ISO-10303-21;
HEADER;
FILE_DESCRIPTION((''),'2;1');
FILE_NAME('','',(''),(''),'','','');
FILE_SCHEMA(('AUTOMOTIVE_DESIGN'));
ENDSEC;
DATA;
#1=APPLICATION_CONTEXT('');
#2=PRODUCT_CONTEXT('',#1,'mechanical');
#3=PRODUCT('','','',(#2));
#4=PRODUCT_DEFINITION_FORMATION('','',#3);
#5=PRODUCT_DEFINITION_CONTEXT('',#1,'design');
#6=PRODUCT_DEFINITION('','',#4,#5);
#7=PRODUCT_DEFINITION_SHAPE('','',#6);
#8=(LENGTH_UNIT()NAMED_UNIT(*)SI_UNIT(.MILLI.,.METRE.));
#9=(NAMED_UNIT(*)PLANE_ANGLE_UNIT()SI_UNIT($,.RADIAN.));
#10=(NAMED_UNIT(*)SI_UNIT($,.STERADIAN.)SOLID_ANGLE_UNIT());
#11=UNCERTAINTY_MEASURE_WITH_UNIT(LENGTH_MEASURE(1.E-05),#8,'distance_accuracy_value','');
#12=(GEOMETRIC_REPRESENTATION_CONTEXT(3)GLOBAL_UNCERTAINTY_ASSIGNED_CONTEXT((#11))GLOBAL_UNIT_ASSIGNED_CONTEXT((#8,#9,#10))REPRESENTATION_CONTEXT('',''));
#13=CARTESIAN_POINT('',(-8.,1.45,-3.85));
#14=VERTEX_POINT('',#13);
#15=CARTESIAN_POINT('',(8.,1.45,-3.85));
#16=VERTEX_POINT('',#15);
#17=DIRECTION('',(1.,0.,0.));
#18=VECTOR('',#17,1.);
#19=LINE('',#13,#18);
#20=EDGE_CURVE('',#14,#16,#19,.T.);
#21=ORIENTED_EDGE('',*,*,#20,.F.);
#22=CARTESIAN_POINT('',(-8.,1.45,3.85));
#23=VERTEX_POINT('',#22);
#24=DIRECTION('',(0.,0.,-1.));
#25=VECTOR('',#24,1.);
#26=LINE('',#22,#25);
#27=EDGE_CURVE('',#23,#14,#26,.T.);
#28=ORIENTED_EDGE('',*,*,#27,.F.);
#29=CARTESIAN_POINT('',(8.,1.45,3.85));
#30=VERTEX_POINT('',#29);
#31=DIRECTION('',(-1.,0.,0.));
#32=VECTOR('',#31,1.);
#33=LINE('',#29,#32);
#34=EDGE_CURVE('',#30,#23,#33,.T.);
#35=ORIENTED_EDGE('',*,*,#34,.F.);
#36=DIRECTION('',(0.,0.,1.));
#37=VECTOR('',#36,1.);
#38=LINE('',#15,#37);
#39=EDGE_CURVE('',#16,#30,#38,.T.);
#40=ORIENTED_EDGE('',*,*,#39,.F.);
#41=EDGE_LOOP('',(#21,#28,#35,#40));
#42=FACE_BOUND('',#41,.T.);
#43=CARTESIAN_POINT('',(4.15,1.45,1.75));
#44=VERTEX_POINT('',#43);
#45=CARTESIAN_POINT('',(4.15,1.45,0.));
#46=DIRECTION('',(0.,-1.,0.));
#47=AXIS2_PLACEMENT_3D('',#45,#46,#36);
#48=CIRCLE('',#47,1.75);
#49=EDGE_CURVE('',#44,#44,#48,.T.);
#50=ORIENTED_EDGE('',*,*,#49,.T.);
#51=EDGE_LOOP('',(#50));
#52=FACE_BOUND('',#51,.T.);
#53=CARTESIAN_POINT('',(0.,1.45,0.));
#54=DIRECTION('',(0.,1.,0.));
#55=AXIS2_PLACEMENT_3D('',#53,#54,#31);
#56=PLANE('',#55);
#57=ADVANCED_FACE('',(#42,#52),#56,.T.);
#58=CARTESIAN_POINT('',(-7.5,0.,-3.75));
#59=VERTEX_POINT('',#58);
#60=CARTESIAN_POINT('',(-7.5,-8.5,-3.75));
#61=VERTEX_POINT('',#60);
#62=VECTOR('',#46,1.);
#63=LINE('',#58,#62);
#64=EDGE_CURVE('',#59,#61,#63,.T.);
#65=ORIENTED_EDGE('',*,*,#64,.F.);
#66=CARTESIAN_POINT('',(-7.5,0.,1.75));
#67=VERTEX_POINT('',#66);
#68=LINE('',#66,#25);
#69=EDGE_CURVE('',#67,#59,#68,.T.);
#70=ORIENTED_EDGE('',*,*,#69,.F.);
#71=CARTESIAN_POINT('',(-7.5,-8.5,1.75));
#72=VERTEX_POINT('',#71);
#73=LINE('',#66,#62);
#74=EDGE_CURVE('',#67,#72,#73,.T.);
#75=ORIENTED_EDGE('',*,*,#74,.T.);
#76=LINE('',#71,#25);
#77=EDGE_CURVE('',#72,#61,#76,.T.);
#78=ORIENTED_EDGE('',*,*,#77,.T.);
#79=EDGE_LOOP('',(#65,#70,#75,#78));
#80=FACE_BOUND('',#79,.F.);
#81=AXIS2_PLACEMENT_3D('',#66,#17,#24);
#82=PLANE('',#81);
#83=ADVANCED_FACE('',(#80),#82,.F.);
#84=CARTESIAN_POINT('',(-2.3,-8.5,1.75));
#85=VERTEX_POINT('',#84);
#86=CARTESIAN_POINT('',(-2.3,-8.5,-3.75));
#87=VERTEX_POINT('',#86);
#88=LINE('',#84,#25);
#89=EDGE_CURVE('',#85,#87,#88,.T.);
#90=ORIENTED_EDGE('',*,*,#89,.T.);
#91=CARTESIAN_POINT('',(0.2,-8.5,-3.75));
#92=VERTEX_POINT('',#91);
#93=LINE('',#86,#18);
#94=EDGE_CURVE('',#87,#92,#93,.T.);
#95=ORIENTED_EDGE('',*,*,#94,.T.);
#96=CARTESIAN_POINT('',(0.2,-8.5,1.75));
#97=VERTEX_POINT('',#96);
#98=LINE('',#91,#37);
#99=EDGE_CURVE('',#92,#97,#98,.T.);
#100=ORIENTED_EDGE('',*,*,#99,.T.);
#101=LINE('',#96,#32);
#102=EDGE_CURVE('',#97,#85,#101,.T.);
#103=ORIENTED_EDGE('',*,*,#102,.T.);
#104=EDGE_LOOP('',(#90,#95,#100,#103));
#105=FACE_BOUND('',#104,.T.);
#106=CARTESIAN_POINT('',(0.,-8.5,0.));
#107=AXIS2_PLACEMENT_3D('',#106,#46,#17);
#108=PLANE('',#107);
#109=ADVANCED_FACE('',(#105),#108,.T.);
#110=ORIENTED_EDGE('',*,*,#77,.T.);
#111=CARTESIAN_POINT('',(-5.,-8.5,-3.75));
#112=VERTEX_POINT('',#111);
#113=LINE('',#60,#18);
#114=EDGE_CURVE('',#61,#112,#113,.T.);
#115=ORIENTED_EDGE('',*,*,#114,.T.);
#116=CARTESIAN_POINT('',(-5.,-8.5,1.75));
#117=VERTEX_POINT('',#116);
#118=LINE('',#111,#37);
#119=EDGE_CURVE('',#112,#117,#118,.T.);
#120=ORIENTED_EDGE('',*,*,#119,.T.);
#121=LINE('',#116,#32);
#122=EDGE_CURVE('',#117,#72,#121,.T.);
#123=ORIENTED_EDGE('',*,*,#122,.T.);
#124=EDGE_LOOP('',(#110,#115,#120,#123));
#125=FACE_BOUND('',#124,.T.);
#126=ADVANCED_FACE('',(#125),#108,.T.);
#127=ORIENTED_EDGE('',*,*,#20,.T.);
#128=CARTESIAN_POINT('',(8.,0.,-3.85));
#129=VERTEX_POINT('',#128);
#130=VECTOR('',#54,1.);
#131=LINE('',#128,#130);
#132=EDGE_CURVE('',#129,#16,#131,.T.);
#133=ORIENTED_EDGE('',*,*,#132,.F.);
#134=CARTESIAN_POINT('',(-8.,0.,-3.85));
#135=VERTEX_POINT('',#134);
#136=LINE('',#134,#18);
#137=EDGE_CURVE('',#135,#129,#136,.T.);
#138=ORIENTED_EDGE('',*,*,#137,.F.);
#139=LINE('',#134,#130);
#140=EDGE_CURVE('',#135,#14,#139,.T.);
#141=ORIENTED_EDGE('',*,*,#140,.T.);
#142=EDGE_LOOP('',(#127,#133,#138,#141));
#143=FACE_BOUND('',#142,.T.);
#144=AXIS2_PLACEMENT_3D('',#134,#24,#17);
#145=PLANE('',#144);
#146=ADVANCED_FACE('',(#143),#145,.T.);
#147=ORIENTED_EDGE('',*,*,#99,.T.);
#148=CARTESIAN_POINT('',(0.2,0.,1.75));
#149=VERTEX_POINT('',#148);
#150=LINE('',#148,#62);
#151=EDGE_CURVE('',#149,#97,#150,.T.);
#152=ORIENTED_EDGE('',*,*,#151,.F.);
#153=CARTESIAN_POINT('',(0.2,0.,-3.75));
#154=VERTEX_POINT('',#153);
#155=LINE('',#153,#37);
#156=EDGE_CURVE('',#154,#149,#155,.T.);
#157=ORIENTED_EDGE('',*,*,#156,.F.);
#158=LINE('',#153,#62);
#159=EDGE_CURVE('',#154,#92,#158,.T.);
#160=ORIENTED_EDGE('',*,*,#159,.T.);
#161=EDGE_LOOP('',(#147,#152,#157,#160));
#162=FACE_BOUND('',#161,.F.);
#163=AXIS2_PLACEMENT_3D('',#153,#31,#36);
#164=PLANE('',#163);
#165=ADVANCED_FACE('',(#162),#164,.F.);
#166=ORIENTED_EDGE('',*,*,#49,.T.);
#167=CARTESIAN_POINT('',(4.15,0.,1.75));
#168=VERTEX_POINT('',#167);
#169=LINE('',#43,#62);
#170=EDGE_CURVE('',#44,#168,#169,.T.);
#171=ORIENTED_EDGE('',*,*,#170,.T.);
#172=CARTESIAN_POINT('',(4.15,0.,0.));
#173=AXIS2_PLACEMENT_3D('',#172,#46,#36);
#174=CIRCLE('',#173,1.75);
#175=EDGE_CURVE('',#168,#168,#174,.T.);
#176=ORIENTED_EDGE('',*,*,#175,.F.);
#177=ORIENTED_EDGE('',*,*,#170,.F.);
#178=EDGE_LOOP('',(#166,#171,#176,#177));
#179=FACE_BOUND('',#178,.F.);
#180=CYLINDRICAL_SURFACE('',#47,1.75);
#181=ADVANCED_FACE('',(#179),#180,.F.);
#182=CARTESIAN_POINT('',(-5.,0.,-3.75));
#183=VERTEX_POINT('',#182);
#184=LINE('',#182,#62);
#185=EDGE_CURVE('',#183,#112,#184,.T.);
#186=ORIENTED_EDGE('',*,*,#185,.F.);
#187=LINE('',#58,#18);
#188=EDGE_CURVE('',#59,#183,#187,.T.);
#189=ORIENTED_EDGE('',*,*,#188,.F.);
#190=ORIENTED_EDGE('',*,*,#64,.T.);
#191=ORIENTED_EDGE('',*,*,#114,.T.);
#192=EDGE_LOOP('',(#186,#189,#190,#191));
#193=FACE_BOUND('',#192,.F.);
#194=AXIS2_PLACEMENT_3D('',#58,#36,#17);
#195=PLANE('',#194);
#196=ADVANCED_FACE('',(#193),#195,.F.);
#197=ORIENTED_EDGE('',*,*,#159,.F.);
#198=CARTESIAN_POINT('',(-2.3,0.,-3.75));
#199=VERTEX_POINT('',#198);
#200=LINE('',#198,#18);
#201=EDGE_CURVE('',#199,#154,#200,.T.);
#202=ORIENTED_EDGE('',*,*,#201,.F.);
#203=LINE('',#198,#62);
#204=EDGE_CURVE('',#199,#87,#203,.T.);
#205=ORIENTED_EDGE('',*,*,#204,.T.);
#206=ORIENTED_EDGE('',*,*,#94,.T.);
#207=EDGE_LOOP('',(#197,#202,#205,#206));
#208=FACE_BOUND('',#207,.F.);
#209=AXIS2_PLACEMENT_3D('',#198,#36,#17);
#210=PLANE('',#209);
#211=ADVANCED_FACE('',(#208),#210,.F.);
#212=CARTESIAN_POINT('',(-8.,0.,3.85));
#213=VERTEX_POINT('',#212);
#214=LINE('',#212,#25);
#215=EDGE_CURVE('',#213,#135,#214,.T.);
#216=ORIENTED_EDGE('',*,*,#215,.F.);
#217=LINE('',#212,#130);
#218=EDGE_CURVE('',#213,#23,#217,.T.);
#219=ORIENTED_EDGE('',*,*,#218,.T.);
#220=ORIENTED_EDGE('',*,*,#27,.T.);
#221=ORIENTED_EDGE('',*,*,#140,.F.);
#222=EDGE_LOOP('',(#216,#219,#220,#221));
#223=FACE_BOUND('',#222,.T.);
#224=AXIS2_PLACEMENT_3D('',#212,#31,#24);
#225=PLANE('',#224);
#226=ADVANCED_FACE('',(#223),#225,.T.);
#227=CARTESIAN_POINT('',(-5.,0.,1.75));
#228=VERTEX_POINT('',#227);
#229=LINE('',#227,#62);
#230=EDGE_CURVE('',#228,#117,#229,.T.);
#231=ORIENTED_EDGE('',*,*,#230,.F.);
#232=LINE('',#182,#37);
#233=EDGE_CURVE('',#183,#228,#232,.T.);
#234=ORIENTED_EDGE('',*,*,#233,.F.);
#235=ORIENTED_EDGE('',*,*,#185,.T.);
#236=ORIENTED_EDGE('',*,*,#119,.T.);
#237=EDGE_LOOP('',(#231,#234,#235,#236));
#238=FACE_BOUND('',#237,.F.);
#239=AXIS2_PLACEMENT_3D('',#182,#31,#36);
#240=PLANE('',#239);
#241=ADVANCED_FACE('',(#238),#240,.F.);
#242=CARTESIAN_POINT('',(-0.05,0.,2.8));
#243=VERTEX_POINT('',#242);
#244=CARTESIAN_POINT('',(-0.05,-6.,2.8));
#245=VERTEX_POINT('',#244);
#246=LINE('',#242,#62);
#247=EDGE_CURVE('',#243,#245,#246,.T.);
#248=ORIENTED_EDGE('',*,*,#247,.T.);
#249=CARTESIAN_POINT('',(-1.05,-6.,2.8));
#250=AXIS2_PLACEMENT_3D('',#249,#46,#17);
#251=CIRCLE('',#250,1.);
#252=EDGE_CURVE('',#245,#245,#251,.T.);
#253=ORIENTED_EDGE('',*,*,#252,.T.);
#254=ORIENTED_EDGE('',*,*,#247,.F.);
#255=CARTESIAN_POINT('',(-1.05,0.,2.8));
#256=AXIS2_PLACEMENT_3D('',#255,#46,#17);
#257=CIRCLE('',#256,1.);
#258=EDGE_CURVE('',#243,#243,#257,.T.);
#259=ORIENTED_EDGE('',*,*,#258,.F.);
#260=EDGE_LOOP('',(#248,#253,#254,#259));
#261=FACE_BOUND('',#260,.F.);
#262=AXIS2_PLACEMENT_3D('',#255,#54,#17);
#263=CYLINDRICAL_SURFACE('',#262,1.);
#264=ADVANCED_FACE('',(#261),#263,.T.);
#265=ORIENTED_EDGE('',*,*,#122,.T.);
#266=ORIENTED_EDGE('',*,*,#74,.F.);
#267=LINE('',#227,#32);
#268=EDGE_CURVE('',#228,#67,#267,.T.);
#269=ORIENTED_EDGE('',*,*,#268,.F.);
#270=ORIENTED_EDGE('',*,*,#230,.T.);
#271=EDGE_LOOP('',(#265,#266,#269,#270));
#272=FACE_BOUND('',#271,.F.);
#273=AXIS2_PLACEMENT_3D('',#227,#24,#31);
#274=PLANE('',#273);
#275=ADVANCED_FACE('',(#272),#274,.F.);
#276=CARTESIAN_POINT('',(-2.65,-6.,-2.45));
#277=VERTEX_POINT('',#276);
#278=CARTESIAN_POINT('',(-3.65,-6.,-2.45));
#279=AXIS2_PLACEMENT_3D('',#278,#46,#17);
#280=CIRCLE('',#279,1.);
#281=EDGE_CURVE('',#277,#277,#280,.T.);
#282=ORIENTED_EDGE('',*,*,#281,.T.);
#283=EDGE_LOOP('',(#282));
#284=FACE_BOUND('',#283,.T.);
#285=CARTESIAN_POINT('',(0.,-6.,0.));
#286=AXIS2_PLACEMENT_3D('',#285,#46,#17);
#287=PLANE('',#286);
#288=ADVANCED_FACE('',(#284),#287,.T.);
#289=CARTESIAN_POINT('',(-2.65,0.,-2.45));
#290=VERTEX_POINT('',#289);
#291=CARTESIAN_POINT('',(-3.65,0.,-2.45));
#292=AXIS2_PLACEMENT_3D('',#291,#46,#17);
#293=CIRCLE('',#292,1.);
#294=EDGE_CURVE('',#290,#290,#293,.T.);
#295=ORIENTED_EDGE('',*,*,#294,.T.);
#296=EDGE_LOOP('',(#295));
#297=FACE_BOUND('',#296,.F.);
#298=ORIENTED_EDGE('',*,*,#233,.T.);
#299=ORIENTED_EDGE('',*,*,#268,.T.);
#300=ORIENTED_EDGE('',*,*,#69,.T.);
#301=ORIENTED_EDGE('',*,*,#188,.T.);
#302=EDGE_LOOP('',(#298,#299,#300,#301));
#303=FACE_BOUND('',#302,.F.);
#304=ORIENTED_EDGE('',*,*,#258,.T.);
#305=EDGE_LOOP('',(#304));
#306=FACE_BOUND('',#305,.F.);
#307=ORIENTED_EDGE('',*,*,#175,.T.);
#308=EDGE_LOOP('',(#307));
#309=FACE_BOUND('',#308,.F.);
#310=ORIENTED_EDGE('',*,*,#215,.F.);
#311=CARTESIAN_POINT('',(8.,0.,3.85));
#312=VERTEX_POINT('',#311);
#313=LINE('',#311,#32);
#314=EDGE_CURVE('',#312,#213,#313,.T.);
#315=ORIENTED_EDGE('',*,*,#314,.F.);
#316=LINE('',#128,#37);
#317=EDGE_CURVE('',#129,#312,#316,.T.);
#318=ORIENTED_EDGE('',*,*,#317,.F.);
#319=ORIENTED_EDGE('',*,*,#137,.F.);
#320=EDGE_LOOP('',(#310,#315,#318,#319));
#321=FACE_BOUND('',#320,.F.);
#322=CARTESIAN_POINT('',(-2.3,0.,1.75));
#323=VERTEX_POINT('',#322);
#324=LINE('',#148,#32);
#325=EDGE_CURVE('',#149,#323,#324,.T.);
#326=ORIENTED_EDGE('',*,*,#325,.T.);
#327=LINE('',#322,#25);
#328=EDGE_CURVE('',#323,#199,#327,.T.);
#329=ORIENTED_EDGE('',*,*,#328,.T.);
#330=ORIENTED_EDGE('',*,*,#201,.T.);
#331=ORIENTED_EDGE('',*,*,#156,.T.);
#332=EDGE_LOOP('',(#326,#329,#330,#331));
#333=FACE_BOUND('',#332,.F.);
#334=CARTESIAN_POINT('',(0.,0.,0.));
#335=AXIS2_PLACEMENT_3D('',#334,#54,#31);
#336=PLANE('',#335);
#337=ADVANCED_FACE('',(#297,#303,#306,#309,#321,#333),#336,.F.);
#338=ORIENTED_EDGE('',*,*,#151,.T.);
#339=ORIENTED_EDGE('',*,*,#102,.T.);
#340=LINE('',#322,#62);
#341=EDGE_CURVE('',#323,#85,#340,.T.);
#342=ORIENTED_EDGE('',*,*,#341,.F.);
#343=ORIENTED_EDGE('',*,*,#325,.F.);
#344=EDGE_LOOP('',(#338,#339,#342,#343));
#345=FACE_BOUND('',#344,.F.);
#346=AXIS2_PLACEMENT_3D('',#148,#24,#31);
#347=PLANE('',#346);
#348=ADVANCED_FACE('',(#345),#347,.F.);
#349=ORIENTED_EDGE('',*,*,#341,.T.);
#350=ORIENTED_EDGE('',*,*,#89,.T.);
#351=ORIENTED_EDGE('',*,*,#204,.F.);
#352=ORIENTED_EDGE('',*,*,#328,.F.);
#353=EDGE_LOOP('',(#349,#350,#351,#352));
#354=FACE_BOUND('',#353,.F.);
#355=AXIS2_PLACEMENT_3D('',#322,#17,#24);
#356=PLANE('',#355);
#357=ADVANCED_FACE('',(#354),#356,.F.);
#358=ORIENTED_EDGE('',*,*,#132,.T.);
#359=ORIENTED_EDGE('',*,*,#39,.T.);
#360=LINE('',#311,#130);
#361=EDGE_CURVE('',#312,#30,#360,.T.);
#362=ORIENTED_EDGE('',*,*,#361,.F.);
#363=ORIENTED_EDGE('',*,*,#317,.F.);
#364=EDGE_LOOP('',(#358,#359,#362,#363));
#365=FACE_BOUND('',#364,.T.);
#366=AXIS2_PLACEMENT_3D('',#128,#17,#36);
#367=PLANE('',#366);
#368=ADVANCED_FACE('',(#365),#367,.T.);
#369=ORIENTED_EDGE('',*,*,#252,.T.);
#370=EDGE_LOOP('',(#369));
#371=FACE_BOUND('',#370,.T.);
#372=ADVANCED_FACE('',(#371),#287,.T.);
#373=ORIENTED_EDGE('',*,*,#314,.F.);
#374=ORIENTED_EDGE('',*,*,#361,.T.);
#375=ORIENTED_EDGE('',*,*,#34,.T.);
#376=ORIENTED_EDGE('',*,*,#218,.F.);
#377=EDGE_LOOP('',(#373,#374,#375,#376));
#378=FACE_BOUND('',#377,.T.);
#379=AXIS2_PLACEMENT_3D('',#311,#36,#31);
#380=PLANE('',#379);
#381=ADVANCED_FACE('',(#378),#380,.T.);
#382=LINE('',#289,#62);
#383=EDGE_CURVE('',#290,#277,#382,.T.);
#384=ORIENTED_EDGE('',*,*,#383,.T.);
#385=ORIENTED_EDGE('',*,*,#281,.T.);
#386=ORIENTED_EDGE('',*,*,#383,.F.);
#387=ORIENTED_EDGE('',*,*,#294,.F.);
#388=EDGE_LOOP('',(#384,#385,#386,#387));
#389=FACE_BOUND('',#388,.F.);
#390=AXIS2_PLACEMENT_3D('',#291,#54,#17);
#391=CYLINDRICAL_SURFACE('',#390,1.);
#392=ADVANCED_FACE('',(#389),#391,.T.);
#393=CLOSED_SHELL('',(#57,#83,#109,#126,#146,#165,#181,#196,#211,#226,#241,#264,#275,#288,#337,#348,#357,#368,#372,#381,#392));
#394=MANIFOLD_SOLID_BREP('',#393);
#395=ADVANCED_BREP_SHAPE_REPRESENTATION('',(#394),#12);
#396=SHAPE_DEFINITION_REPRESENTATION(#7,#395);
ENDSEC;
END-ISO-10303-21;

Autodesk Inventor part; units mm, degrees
ref_plane "YZ Plane" through (0, 0, 0) normal (1, 0, 0) x (0, 1, 0)
ref_plane "XZ Plane" through (0, 0, 0) normal (0, 1, 0) x (-1, 0, 0)
ref_plane "XY Plane" through (0, 0, 0) normal (0, 0, 1) x (1, 0, 0)
sketch "Náčrt1" plane through (0, 0, 0) normal (0, 1, 0) x (-1, 0, 0)
  line L0 (8, -3.85) -> (-8, -3.85)
  line L1 (-8, -3.85) -> (-8, 3.85)
  line L2 (-8, 3.85) -> (8, 3.85)
  line L3 (8, 3.85) -> (8, -3.85)
  line L4 (8, -3.85) -> (0, 0) construction
  line L5 (8, 3.85) -> (0, 0) construction
  line L6 (-8, -3.85) -> (0, 0) construction
  dimension "d0" = 16
  dimension "d1" = 7.7
extrude "Vysunutí1" add sketch "Náčrt1" along normal blind 1.45
sketch "Náčrt2" plane through (0, 0, 0) normal (0, -1, 0) x (1, 0, 0)
  line L0 (0.2, 1.75) -> (-2.3, 1.75)
  line L1 (-2.3, 1.75) -> (-2.3, -3.75)
  line L2 (-2.3, -3.75) -> (0.2, -3.75)
  line L3 (0.2, -3.75) -> (0.2, 1.75)
  line L4 (-5, 1.75) -> (-7.5, 1.75)
  line L5 (-7.5, 1.75) -> (-7.5, -3.75)
  line L6 (-7.5, -3.75) -> (-5, -3.75)
  line L7 (-5, -3.75) -> (-5, 1.75)
  line L8 (-8, -3.85) -> (-8, 3.85) projected
  line L9 (-2.3, 1.75) -> (-5, 1.75) construction
  circle A0 centre (-3.65, -2.45) radius 1
  circle A1 centre (-1.05, 2.8) radius 1
  line L10 (-1.05, 1.75) -> (-1.05, 2.8) construction
  line L11 (-1.05, 2.8) -> (-1.05, 3.85) construction
  line L12 (-2.3, -2.45) -> (-3.65, -2.45) construction
  line L13 (-3.65, -2.45) -> (-5, -2.45) construction
  line L14 (-3.65, 1.75) -> (-3.65, 0.35) construction
  line L15 (-3.65, 0.35) -> (-3.65, -1.05) construction
  line L16 (-3.65, -1.05) -> (-3.65, -2.45) construction
  line L17 (-3.65, -3.85) -> (-3.65, -2.45) construction
  point P0 (0, 0)
  dimension "d4" = 2.5
  dimension "d5" = 5.5
  dimension "d6" = 0.5
  dimension "d7" = 2
  dimension "d8" = 2.7
  dimension "d15" = 0.1
extrude "Vysunutí2" add sketch "Náčrt2" along normal blind 8.5 contours L3 L2 L1 L0 | L7 L6 L5 L4
extrude "Vysunutí3" add sketch "Náčrt2" along normal blind 6 contours A0 | A1
sketch "Náčrt3" plane through (0, 1.45, 0) normal (0, 1, 0) x (1, 0, 0)
  line L0 (8, -3.85) -> (8, 3.85) projected
  line L1 (8, -3.85) -> (4.15, -3.85)
  line L2 (4.15, -3.85) -> (4.15, 0)
  line L3 (4.15, 0) -> (8, 0)
  line L4 (8, 0) -> (8, -3.85)
  line L5 (8, 3.85) -> (-8, 3.85) projected
  line L6 (8, 3.85) -> (4.15, 3.85)
  line L7 (4.15, 3.85) -> (4.15, 0)
  line L8 (4.15, 0) -> (8, 0)
  line L9 (8, 0) -> (8, 3.85)
  point P0 (0, 0)
hole "Díra1" at (4.15, 1.45, 0) direction (0, -1, 0) diameter 3.5 end through all
properties part number "qre_module"
